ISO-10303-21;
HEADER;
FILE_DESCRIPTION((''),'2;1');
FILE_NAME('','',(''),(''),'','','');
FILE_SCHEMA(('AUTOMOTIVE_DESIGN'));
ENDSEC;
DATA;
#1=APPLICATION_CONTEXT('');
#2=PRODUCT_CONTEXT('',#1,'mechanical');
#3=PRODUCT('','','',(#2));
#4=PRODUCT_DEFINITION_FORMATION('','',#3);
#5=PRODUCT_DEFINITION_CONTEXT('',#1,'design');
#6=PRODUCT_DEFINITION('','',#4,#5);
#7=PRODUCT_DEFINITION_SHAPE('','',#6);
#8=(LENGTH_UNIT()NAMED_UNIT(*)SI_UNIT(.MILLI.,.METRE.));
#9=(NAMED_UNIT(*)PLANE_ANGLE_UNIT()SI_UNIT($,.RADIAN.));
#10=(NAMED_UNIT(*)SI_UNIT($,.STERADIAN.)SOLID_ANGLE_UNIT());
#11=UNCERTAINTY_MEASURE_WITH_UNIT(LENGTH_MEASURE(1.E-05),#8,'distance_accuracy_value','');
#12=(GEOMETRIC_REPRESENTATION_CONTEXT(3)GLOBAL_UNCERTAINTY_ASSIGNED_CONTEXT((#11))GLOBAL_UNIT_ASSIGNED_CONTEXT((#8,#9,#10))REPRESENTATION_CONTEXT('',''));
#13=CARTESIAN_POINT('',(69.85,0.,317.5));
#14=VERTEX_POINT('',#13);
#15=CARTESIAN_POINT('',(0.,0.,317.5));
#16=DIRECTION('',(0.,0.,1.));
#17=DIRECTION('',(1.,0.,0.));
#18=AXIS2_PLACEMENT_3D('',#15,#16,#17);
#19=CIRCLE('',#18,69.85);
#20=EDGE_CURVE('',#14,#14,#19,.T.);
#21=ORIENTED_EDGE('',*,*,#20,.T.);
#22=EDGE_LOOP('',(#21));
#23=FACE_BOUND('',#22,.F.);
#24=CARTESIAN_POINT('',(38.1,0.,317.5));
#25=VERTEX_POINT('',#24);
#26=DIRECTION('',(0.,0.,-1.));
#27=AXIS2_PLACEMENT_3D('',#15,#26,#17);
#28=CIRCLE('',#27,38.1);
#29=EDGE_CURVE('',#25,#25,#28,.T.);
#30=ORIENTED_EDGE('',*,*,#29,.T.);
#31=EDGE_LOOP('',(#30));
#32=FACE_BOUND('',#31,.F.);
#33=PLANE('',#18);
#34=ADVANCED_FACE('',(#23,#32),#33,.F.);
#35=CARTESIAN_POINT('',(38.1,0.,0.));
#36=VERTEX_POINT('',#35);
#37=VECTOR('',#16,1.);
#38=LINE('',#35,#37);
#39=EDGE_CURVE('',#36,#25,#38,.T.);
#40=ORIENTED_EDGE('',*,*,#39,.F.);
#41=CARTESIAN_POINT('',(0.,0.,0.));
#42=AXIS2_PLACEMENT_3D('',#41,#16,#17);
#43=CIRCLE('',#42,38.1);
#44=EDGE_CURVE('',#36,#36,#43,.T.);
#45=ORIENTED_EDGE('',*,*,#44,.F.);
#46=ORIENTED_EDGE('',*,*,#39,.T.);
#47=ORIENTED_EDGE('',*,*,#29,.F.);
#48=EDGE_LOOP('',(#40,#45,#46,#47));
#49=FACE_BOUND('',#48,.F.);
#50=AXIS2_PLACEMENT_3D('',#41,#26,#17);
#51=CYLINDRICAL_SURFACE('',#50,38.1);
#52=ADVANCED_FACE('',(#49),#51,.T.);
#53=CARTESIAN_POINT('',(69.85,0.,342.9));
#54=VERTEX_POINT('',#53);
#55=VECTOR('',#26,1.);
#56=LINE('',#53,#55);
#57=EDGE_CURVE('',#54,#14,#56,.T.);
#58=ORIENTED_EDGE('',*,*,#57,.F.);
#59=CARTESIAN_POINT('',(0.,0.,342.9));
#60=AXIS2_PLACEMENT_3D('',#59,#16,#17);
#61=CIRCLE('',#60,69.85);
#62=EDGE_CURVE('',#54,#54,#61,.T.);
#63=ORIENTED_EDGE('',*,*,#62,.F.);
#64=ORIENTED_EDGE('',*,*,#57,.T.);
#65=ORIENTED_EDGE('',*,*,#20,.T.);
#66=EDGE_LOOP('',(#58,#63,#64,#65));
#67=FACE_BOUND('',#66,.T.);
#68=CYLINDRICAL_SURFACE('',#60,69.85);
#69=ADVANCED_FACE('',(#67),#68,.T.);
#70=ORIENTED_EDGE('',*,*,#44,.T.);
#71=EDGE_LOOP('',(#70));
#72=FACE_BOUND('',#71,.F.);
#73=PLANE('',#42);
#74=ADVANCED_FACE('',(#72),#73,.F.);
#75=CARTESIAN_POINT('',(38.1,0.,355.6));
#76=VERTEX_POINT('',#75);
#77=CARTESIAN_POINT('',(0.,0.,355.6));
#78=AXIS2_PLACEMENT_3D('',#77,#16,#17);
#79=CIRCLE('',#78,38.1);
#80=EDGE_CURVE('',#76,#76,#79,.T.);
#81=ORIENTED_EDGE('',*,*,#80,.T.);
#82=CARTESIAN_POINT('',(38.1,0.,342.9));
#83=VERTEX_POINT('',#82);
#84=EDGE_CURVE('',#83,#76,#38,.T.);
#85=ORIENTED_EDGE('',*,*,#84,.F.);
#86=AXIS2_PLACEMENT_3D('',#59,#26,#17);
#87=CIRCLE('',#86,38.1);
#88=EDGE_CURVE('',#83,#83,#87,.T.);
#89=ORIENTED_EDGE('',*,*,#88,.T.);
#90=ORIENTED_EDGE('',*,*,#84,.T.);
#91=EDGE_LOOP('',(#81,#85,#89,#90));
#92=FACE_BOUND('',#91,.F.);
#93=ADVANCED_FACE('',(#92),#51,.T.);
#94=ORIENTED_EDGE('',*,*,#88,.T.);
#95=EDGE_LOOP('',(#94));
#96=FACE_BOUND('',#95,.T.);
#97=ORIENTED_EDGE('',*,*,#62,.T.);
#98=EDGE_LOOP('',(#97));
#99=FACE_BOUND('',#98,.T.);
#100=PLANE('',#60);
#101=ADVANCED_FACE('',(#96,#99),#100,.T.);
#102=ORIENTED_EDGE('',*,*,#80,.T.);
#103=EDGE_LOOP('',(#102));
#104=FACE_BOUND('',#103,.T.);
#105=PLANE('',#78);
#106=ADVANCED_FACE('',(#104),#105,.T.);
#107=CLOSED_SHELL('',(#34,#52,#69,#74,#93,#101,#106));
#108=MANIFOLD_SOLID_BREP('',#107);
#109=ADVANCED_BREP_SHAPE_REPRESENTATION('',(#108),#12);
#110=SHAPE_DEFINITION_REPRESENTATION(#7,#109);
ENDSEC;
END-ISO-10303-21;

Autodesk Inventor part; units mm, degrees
ref_plane "YZ Plane" through (0, 0, 0) normal (1, 0, 0) x (0, 1, 0)
ref_plane "XZ Plane" through (0, 0, 0) normal (0, 1, 0) x (-1, 0, 0)
ref_plane "XY Plane" through (0, 0, 0) normal (0, 0, 1) x (1, 0, 0)
sketch "Sketch1" plane through (0, 0, 0) normal (0, 0, 1) x (1, 0, 0)
  circle A0 centre (0, 0) radius 38.1
  dimension "d0" = 76.2
extrude "Extrusion1" add sketch "Sketch1" along normal blind 355.6
ref_plane "Work Plane1" through (0, 0, 342.9) normal (0, 0, 1) x (1, 0, 0)
sketch "Sketch2" plane through (0, 0, 342.9) normal (0, 0, 1) x (1, 0, 0)
  circle A0 centre (0, 0) radius 69.85
  dimension "d4" = 139.7
extrude "Extrusion2" add sketch "Sketch2" against normal blind 25.4
properties part number "Bravo 1 Mockup"
